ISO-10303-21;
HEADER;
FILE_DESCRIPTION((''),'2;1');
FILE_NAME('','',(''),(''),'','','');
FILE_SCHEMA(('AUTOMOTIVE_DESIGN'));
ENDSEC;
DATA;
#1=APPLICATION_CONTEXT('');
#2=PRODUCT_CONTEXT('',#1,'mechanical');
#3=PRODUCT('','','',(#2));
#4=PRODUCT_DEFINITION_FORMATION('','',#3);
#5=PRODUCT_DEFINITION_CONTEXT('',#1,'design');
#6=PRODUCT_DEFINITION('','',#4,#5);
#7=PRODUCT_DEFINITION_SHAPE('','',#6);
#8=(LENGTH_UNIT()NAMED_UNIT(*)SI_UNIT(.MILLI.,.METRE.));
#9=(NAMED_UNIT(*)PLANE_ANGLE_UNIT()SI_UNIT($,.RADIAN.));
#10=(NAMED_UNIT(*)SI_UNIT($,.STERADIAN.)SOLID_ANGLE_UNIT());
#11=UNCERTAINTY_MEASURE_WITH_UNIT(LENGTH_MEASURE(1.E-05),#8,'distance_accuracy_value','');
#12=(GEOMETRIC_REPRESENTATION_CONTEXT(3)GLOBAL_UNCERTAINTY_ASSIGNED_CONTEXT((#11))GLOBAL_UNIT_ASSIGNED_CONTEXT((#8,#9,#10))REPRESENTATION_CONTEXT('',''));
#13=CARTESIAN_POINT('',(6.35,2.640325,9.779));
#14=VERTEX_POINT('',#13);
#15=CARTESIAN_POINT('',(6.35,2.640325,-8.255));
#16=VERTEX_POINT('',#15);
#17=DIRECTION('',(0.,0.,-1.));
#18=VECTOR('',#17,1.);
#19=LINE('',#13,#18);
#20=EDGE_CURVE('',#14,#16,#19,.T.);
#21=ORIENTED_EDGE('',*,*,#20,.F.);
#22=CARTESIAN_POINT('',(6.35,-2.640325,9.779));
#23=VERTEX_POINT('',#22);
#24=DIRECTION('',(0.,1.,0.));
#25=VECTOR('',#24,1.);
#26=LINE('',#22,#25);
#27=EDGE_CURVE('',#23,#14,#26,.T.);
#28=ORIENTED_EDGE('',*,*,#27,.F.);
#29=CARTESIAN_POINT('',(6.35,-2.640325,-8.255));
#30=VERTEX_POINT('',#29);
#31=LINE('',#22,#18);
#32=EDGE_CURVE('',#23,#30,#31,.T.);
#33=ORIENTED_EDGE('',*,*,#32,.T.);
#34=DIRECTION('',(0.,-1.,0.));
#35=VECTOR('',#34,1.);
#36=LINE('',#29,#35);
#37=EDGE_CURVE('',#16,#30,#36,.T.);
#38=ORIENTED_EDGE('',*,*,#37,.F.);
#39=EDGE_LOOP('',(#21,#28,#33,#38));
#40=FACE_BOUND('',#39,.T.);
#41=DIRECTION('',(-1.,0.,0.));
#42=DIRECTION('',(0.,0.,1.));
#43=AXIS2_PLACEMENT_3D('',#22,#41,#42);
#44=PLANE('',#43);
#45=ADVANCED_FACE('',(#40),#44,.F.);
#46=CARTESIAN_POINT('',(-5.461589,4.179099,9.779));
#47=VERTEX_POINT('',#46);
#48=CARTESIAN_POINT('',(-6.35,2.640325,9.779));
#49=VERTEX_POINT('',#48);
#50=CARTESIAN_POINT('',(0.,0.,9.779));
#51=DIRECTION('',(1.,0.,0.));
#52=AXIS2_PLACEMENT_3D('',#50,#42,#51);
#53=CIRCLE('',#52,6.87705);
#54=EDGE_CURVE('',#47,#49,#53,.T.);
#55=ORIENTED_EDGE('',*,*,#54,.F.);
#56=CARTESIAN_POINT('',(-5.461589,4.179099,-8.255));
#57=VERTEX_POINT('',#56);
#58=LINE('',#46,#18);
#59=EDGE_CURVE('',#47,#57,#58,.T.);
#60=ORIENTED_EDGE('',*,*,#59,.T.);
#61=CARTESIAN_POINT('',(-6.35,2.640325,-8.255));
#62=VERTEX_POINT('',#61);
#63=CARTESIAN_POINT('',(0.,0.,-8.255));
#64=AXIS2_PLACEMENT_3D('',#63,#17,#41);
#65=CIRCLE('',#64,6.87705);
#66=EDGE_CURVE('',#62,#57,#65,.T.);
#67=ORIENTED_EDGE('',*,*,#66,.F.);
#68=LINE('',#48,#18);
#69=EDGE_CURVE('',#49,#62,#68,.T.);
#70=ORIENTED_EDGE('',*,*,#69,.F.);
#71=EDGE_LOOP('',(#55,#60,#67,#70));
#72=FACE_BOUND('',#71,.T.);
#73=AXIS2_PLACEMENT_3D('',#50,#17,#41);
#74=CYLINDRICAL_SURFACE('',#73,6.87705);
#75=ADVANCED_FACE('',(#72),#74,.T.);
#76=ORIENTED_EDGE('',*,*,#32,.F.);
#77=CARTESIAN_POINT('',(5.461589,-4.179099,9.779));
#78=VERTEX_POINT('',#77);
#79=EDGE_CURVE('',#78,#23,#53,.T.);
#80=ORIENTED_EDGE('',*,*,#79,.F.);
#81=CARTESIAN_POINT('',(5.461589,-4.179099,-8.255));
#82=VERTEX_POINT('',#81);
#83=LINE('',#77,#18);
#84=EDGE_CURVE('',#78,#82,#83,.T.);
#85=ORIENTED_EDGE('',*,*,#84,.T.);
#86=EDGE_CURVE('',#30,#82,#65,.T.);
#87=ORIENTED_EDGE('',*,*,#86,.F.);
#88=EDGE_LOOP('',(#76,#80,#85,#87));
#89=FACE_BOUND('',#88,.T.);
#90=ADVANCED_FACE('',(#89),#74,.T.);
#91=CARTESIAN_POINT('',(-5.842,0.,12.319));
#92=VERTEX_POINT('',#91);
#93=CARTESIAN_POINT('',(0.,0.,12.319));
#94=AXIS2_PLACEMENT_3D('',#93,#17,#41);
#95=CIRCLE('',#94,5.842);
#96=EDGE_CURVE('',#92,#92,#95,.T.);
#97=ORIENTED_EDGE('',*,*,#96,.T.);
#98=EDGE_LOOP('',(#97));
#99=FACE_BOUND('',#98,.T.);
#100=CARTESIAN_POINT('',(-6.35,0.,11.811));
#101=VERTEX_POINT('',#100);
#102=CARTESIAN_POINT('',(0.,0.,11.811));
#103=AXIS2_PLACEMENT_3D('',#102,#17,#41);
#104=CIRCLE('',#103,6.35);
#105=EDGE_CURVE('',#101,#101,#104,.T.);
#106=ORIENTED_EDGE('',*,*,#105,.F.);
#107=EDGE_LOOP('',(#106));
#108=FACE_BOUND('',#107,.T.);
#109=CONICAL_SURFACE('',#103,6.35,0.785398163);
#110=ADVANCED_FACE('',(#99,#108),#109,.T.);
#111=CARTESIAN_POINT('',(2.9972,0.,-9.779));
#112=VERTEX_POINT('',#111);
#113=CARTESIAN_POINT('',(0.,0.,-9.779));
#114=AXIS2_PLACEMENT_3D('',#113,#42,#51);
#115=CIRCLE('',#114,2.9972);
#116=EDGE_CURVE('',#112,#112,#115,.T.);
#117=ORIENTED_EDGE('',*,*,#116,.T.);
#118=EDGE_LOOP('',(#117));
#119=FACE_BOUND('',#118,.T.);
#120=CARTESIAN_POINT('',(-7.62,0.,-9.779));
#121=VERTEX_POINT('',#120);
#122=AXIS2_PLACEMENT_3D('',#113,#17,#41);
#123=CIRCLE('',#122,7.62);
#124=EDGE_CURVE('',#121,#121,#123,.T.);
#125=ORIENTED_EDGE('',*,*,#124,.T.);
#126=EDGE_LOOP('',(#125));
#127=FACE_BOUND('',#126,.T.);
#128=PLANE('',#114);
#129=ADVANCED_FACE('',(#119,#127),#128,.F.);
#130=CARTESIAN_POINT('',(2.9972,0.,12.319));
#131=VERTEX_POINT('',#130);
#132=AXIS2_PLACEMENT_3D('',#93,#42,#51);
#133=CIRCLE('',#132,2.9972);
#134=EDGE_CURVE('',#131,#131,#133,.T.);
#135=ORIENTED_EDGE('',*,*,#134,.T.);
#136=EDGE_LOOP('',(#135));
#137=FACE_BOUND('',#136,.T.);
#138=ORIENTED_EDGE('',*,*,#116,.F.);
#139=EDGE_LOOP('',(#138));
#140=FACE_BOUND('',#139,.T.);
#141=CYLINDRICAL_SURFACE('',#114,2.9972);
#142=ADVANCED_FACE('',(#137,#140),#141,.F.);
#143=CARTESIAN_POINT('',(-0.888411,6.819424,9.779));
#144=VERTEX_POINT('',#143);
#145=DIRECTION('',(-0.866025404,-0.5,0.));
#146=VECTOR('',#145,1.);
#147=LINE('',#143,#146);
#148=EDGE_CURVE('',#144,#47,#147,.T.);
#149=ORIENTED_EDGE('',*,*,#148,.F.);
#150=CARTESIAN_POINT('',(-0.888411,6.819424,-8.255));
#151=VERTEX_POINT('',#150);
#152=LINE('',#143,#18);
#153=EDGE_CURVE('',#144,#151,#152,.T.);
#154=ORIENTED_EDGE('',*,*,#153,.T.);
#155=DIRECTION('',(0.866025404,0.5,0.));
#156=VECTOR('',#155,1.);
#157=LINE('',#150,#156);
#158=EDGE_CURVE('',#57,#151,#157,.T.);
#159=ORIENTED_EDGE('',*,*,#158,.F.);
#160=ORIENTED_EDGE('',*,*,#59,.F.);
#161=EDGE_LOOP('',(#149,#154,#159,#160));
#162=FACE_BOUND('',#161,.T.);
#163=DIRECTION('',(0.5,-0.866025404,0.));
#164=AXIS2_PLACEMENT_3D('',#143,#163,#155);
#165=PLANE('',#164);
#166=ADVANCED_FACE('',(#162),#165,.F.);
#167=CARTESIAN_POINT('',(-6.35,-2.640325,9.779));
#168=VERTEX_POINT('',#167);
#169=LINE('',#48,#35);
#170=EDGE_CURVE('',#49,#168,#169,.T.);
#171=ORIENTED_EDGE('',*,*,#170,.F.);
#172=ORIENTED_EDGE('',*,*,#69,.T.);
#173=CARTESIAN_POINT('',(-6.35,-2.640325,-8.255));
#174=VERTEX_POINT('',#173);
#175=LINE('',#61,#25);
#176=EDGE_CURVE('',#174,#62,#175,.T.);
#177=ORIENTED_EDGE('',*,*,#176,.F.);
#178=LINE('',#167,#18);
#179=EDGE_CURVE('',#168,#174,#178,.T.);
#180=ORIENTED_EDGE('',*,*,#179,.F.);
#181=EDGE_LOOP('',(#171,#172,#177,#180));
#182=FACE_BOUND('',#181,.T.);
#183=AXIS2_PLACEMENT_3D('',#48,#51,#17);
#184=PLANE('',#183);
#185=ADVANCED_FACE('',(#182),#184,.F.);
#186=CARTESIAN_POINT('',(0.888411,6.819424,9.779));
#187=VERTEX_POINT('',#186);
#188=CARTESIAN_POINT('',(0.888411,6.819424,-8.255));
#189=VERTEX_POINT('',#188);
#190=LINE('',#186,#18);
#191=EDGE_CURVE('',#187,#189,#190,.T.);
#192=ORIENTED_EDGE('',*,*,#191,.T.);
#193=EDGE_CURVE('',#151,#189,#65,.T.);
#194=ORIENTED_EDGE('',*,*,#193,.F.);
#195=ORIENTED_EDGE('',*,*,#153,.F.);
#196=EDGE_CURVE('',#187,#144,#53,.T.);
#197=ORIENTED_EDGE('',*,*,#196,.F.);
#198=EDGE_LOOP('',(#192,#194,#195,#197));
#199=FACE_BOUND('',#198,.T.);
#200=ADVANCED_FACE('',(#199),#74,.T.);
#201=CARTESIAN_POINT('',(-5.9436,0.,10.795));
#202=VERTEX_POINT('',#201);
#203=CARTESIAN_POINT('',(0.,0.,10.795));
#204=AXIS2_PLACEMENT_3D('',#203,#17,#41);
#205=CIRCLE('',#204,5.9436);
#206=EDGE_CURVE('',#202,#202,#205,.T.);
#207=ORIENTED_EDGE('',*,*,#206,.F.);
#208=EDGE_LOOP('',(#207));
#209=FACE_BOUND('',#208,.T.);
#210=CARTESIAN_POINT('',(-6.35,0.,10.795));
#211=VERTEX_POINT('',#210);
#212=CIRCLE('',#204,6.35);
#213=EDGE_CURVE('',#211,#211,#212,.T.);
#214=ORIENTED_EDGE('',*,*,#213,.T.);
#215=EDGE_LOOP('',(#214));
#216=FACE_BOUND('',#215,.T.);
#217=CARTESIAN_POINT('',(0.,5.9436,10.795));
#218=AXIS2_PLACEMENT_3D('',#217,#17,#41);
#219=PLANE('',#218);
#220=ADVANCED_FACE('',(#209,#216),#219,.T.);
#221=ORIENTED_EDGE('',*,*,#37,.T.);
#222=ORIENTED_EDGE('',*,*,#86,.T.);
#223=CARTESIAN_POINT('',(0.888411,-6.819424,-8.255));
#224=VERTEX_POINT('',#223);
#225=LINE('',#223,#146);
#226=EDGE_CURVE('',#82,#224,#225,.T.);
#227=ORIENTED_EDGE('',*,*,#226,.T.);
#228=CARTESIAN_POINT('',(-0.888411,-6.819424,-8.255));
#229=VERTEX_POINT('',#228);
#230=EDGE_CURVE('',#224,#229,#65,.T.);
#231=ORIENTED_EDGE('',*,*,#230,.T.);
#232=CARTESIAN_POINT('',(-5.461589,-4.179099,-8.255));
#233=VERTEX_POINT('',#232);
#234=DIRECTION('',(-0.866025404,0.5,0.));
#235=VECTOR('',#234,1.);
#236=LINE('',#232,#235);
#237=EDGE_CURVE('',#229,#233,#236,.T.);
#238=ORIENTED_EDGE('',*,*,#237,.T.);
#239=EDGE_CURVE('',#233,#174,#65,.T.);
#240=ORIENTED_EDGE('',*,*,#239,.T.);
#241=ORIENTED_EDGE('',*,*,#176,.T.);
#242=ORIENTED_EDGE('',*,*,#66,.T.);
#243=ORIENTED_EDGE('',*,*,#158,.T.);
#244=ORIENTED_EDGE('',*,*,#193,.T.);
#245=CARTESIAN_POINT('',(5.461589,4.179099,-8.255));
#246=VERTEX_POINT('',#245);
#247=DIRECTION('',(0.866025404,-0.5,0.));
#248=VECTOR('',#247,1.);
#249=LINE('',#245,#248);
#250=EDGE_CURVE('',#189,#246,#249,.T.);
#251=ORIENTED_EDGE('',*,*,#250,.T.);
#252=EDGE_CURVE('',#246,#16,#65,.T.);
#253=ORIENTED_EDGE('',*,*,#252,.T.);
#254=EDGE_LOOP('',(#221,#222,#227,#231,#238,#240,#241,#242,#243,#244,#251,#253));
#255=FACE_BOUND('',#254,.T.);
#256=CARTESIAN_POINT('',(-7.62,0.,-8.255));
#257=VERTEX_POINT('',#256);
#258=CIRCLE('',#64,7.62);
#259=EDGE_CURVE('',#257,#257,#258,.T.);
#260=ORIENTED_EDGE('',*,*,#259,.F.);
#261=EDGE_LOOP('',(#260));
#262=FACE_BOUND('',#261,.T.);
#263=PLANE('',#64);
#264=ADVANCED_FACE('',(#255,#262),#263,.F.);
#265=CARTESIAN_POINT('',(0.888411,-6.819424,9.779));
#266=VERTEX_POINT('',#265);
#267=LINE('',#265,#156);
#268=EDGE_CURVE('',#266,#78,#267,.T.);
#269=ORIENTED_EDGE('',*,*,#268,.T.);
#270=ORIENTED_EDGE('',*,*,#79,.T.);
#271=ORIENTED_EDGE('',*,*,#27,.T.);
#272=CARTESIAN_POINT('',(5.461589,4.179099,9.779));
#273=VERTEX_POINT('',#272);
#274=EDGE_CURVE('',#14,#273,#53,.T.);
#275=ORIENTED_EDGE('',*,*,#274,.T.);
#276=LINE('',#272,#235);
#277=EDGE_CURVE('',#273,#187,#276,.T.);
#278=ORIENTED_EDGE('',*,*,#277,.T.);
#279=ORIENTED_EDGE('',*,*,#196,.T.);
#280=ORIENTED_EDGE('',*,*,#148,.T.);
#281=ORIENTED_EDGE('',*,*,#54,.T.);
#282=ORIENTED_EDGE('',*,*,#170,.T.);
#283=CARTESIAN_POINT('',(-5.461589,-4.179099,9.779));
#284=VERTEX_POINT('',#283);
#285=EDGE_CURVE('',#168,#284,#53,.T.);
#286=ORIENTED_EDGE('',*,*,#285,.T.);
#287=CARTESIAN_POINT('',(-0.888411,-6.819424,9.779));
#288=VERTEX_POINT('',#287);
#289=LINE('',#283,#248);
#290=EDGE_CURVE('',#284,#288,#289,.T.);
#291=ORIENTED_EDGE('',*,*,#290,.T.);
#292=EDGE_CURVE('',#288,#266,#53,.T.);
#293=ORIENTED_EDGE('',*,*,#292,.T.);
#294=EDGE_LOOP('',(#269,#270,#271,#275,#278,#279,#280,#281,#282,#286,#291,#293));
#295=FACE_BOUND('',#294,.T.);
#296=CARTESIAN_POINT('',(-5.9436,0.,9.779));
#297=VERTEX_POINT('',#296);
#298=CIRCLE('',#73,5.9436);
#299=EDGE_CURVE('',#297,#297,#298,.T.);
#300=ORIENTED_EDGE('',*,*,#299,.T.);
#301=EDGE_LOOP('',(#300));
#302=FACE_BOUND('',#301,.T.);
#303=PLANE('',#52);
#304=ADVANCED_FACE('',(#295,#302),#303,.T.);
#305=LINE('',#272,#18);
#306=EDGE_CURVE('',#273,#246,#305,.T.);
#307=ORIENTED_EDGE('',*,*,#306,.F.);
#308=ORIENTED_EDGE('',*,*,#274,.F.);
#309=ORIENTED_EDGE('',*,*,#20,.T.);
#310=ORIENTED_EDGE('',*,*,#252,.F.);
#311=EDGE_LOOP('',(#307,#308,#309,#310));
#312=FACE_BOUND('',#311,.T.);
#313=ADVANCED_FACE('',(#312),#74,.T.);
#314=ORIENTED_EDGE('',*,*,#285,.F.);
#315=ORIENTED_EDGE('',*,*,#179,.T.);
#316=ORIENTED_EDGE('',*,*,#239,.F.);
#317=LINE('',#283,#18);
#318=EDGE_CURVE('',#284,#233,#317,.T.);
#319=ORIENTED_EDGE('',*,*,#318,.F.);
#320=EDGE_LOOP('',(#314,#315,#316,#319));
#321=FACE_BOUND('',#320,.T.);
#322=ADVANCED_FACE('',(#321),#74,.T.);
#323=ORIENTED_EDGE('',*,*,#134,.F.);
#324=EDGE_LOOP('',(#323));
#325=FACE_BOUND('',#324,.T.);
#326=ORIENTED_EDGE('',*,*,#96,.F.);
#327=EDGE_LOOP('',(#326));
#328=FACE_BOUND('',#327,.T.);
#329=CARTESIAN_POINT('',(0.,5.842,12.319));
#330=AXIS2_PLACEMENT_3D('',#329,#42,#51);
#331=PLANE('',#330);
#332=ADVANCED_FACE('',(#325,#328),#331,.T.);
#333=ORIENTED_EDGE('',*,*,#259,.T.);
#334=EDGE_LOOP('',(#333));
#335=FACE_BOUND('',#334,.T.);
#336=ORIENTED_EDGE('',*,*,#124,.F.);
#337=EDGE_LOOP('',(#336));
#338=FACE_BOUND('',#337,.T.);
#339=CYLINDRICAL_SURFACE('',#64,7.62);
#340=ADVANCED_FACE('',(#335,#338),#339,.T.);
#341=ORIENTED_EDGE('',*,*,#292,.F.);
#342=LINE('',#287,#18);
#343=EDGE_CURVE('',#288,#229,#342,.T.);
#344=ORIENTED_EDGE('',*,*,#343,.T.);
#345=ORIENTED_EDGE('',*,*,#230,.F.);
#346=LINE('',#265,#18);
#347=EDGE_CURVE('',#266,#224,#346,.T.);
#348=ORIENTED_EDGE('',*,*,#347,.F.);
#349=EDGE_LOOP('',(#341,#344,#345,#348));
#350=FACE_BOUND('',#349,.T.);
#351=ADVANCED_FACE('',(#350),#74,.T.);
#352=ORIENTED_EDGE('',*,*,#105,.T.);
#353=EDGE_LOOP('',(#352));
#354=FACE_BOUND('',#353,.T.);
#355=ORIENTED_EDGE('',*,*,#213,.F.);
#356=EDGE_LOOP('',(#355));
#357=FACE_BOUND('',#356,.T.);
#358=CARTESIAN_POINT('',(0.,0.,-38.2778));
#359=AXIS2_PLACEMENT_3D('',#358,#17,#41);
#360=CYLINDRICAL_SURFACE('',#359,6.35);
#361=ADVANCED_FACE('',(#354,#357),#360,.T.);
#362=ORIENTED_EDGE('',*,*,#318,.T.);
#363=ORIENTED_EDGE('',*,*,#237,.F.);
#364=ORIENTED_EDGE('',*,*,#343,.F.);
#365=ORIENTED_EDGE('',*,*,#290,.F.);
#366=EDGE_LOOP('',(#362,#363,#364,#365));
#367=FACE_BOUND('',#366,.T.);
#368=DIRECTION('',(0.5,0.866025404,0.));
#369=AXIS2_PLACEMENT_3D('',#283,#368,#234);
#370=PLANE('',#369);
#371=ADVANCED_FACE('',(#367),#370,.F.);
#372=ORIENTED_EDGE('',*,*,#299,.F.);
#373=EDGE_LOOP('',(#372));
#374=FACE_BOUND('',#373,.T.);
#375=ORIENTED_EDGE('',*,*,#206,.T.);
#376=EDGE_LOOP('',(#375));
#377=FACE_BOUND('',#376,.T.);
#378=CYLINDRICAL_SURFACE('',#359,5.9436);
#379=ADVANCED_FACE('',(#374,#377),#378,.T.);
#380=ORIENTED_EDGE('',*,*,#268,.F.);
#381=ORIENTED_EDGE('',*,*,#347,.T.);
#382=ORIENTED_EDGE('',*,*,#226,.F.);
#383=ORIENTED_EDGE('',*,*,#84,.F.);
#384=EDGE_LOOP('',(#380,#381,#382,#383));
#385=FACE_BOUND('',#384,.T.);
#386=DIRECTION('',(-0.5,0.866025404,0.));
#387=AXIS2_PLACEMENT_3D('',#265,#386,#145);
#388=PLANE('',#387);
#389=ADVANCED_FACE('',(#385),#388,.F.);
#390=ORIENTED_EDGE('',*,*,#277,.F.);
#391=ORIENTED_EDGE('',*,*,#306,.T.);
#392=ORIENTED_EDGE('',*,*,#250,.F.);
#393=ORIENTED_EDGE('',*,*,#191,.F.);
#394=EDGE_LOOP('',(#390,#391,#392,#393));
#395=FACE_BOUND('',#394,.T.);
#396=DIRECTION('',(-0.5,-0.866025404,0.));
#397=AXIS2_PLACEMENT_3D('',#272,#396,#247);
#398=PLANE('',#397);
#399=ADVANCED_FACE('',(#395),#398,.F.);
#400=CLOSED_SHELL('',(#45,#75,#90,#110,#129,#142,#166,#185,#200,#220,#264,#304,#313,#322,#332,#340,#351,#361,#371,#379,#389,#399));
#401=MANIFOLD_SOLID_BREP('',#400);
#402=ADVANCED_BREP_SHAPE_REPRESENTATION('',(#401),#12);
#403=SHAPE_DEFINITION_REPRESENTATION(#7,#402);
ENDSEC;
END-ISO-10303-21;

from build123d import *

# Parameters (mm, degrees)
SKETCH1_R               = 6.35
BASIC_ROD_DEPTH         = 9.779
BASIC_ROD_DEPTH_BACK    = 9.779
THEX_DEPTH              = 9.779
SKETCH2_R               = 2.9972
INTERNAL_CUT_DEPTH      = 13.319
INTERNAL_CUT_DEPTH_BACK = 10.779
SKETCH9_R               = 7.62
SKETCH9_R_2             = 2.9972
BOSS_EXTRUDE1_DEPTH     = 1.524


with BuildPart() as part:
    # Sketch1 → Basic Rod (new body, two sides)
    with BuildSketch(Plane.XY) as basic_rod_sk:
        Circle(SKETCH1_R)
    extrude(amount=BASIC_ROD_DEPTH)
    extrude(basic_rod_sk.sketch, amount=-BASIC_ROD_DEPTH_BACK)

    # Sketch8 → THex (add, symmetric)
    with BuildSketch(Plane.XY):
        with BuildLine():
            Line((-0.888411378, 6.819423871), (-5.461588622, 4.179098758))
            ThreePointArc((-5.461588622, 4.179098758), (-5.955700003, 3.438525), (-6.35, 2.640325113))
            Line((-6.35, 2.640325113), (-6.35, -2.640325113))
            ThreePointArc((-6.35, -2.640325113), (-5.955700003, -3.438525), (-5.461588622, -4.179098758))
            Line((-5.461588622, -4.179098758), (-0.888411378, -6.819423871))
            ThreePointArc((-0.888411378, -6.819423871), (0, -6.87705), (0.888411378, -6.819423871))
            Line((0.888411378, -6.819423871), (5.461588622, -4.179098758))
            ThreePointArc((5.461588622, -4.179098758), (5.955700003, -3.438525), (6.35, -2.640325113))
            Line((6.35, -2.640325113), (6.35, 2.640325113))
            ThreePointArc((6.35, 2.640325113), (5.955700003, 3.438525), (5.461588622, 4.179098758))
            Line((5.461588622, 4.179098758), (0.888411378, 6.819423871))
            ThreePointArc((0.888411378, 6.819423871), (0, 6.87705), (-0.888411378, 6.819423871))
        make_face()
    extrude(amount=THEX_DEPTH, both=True)

    # Sketch7 → 1stSnapRing (revolve)
    with BuildSketch(Plane(origin=(0, 0, 0), x_dir=(0, 0, -1), z_dir=(1, 0, 0))):
        Polygon((-9.779, 5.9436), (-10.795, 5.9436), (-10.795, 6.35), (-11.811, 6.35), (-12.319, 5.842), (-12.319, 0), (-9.779, 0), align=None)
    revolve(axis=Axis((0, 0, -38.2778), (0, 0, 1)))

    # Sketch2 → Internal Cut (cut, two sides)
    with BuildSketch(Plane.XY) as internal_cut_sk:
        Circle(SKETCH2_R)
    extrude(amount=INTERNAL_CUT_DEPTH, mode=Mode.SUBTRACT)
    extrude(internal_cut_sk.sketch, amount=-INTERNAL_CUT_DEPTH_BACK, mode=Mode.SUBTRACT)

    # Sketch9 → Boss-Extrude1 (add)
    with BuildSketch(Plane(origin=(0, 0, -9.779), x_dir=(-1, 0, 0), z_dir=(0, 0, -1))):
        Circle(SKETCH9_R)
        Circle(SKETCH9_R_2, mode=Mode.SUBTRACT)
    extrude(amount=-BOSS_EXTRUDE1_DEPTH)


solid = part.part
